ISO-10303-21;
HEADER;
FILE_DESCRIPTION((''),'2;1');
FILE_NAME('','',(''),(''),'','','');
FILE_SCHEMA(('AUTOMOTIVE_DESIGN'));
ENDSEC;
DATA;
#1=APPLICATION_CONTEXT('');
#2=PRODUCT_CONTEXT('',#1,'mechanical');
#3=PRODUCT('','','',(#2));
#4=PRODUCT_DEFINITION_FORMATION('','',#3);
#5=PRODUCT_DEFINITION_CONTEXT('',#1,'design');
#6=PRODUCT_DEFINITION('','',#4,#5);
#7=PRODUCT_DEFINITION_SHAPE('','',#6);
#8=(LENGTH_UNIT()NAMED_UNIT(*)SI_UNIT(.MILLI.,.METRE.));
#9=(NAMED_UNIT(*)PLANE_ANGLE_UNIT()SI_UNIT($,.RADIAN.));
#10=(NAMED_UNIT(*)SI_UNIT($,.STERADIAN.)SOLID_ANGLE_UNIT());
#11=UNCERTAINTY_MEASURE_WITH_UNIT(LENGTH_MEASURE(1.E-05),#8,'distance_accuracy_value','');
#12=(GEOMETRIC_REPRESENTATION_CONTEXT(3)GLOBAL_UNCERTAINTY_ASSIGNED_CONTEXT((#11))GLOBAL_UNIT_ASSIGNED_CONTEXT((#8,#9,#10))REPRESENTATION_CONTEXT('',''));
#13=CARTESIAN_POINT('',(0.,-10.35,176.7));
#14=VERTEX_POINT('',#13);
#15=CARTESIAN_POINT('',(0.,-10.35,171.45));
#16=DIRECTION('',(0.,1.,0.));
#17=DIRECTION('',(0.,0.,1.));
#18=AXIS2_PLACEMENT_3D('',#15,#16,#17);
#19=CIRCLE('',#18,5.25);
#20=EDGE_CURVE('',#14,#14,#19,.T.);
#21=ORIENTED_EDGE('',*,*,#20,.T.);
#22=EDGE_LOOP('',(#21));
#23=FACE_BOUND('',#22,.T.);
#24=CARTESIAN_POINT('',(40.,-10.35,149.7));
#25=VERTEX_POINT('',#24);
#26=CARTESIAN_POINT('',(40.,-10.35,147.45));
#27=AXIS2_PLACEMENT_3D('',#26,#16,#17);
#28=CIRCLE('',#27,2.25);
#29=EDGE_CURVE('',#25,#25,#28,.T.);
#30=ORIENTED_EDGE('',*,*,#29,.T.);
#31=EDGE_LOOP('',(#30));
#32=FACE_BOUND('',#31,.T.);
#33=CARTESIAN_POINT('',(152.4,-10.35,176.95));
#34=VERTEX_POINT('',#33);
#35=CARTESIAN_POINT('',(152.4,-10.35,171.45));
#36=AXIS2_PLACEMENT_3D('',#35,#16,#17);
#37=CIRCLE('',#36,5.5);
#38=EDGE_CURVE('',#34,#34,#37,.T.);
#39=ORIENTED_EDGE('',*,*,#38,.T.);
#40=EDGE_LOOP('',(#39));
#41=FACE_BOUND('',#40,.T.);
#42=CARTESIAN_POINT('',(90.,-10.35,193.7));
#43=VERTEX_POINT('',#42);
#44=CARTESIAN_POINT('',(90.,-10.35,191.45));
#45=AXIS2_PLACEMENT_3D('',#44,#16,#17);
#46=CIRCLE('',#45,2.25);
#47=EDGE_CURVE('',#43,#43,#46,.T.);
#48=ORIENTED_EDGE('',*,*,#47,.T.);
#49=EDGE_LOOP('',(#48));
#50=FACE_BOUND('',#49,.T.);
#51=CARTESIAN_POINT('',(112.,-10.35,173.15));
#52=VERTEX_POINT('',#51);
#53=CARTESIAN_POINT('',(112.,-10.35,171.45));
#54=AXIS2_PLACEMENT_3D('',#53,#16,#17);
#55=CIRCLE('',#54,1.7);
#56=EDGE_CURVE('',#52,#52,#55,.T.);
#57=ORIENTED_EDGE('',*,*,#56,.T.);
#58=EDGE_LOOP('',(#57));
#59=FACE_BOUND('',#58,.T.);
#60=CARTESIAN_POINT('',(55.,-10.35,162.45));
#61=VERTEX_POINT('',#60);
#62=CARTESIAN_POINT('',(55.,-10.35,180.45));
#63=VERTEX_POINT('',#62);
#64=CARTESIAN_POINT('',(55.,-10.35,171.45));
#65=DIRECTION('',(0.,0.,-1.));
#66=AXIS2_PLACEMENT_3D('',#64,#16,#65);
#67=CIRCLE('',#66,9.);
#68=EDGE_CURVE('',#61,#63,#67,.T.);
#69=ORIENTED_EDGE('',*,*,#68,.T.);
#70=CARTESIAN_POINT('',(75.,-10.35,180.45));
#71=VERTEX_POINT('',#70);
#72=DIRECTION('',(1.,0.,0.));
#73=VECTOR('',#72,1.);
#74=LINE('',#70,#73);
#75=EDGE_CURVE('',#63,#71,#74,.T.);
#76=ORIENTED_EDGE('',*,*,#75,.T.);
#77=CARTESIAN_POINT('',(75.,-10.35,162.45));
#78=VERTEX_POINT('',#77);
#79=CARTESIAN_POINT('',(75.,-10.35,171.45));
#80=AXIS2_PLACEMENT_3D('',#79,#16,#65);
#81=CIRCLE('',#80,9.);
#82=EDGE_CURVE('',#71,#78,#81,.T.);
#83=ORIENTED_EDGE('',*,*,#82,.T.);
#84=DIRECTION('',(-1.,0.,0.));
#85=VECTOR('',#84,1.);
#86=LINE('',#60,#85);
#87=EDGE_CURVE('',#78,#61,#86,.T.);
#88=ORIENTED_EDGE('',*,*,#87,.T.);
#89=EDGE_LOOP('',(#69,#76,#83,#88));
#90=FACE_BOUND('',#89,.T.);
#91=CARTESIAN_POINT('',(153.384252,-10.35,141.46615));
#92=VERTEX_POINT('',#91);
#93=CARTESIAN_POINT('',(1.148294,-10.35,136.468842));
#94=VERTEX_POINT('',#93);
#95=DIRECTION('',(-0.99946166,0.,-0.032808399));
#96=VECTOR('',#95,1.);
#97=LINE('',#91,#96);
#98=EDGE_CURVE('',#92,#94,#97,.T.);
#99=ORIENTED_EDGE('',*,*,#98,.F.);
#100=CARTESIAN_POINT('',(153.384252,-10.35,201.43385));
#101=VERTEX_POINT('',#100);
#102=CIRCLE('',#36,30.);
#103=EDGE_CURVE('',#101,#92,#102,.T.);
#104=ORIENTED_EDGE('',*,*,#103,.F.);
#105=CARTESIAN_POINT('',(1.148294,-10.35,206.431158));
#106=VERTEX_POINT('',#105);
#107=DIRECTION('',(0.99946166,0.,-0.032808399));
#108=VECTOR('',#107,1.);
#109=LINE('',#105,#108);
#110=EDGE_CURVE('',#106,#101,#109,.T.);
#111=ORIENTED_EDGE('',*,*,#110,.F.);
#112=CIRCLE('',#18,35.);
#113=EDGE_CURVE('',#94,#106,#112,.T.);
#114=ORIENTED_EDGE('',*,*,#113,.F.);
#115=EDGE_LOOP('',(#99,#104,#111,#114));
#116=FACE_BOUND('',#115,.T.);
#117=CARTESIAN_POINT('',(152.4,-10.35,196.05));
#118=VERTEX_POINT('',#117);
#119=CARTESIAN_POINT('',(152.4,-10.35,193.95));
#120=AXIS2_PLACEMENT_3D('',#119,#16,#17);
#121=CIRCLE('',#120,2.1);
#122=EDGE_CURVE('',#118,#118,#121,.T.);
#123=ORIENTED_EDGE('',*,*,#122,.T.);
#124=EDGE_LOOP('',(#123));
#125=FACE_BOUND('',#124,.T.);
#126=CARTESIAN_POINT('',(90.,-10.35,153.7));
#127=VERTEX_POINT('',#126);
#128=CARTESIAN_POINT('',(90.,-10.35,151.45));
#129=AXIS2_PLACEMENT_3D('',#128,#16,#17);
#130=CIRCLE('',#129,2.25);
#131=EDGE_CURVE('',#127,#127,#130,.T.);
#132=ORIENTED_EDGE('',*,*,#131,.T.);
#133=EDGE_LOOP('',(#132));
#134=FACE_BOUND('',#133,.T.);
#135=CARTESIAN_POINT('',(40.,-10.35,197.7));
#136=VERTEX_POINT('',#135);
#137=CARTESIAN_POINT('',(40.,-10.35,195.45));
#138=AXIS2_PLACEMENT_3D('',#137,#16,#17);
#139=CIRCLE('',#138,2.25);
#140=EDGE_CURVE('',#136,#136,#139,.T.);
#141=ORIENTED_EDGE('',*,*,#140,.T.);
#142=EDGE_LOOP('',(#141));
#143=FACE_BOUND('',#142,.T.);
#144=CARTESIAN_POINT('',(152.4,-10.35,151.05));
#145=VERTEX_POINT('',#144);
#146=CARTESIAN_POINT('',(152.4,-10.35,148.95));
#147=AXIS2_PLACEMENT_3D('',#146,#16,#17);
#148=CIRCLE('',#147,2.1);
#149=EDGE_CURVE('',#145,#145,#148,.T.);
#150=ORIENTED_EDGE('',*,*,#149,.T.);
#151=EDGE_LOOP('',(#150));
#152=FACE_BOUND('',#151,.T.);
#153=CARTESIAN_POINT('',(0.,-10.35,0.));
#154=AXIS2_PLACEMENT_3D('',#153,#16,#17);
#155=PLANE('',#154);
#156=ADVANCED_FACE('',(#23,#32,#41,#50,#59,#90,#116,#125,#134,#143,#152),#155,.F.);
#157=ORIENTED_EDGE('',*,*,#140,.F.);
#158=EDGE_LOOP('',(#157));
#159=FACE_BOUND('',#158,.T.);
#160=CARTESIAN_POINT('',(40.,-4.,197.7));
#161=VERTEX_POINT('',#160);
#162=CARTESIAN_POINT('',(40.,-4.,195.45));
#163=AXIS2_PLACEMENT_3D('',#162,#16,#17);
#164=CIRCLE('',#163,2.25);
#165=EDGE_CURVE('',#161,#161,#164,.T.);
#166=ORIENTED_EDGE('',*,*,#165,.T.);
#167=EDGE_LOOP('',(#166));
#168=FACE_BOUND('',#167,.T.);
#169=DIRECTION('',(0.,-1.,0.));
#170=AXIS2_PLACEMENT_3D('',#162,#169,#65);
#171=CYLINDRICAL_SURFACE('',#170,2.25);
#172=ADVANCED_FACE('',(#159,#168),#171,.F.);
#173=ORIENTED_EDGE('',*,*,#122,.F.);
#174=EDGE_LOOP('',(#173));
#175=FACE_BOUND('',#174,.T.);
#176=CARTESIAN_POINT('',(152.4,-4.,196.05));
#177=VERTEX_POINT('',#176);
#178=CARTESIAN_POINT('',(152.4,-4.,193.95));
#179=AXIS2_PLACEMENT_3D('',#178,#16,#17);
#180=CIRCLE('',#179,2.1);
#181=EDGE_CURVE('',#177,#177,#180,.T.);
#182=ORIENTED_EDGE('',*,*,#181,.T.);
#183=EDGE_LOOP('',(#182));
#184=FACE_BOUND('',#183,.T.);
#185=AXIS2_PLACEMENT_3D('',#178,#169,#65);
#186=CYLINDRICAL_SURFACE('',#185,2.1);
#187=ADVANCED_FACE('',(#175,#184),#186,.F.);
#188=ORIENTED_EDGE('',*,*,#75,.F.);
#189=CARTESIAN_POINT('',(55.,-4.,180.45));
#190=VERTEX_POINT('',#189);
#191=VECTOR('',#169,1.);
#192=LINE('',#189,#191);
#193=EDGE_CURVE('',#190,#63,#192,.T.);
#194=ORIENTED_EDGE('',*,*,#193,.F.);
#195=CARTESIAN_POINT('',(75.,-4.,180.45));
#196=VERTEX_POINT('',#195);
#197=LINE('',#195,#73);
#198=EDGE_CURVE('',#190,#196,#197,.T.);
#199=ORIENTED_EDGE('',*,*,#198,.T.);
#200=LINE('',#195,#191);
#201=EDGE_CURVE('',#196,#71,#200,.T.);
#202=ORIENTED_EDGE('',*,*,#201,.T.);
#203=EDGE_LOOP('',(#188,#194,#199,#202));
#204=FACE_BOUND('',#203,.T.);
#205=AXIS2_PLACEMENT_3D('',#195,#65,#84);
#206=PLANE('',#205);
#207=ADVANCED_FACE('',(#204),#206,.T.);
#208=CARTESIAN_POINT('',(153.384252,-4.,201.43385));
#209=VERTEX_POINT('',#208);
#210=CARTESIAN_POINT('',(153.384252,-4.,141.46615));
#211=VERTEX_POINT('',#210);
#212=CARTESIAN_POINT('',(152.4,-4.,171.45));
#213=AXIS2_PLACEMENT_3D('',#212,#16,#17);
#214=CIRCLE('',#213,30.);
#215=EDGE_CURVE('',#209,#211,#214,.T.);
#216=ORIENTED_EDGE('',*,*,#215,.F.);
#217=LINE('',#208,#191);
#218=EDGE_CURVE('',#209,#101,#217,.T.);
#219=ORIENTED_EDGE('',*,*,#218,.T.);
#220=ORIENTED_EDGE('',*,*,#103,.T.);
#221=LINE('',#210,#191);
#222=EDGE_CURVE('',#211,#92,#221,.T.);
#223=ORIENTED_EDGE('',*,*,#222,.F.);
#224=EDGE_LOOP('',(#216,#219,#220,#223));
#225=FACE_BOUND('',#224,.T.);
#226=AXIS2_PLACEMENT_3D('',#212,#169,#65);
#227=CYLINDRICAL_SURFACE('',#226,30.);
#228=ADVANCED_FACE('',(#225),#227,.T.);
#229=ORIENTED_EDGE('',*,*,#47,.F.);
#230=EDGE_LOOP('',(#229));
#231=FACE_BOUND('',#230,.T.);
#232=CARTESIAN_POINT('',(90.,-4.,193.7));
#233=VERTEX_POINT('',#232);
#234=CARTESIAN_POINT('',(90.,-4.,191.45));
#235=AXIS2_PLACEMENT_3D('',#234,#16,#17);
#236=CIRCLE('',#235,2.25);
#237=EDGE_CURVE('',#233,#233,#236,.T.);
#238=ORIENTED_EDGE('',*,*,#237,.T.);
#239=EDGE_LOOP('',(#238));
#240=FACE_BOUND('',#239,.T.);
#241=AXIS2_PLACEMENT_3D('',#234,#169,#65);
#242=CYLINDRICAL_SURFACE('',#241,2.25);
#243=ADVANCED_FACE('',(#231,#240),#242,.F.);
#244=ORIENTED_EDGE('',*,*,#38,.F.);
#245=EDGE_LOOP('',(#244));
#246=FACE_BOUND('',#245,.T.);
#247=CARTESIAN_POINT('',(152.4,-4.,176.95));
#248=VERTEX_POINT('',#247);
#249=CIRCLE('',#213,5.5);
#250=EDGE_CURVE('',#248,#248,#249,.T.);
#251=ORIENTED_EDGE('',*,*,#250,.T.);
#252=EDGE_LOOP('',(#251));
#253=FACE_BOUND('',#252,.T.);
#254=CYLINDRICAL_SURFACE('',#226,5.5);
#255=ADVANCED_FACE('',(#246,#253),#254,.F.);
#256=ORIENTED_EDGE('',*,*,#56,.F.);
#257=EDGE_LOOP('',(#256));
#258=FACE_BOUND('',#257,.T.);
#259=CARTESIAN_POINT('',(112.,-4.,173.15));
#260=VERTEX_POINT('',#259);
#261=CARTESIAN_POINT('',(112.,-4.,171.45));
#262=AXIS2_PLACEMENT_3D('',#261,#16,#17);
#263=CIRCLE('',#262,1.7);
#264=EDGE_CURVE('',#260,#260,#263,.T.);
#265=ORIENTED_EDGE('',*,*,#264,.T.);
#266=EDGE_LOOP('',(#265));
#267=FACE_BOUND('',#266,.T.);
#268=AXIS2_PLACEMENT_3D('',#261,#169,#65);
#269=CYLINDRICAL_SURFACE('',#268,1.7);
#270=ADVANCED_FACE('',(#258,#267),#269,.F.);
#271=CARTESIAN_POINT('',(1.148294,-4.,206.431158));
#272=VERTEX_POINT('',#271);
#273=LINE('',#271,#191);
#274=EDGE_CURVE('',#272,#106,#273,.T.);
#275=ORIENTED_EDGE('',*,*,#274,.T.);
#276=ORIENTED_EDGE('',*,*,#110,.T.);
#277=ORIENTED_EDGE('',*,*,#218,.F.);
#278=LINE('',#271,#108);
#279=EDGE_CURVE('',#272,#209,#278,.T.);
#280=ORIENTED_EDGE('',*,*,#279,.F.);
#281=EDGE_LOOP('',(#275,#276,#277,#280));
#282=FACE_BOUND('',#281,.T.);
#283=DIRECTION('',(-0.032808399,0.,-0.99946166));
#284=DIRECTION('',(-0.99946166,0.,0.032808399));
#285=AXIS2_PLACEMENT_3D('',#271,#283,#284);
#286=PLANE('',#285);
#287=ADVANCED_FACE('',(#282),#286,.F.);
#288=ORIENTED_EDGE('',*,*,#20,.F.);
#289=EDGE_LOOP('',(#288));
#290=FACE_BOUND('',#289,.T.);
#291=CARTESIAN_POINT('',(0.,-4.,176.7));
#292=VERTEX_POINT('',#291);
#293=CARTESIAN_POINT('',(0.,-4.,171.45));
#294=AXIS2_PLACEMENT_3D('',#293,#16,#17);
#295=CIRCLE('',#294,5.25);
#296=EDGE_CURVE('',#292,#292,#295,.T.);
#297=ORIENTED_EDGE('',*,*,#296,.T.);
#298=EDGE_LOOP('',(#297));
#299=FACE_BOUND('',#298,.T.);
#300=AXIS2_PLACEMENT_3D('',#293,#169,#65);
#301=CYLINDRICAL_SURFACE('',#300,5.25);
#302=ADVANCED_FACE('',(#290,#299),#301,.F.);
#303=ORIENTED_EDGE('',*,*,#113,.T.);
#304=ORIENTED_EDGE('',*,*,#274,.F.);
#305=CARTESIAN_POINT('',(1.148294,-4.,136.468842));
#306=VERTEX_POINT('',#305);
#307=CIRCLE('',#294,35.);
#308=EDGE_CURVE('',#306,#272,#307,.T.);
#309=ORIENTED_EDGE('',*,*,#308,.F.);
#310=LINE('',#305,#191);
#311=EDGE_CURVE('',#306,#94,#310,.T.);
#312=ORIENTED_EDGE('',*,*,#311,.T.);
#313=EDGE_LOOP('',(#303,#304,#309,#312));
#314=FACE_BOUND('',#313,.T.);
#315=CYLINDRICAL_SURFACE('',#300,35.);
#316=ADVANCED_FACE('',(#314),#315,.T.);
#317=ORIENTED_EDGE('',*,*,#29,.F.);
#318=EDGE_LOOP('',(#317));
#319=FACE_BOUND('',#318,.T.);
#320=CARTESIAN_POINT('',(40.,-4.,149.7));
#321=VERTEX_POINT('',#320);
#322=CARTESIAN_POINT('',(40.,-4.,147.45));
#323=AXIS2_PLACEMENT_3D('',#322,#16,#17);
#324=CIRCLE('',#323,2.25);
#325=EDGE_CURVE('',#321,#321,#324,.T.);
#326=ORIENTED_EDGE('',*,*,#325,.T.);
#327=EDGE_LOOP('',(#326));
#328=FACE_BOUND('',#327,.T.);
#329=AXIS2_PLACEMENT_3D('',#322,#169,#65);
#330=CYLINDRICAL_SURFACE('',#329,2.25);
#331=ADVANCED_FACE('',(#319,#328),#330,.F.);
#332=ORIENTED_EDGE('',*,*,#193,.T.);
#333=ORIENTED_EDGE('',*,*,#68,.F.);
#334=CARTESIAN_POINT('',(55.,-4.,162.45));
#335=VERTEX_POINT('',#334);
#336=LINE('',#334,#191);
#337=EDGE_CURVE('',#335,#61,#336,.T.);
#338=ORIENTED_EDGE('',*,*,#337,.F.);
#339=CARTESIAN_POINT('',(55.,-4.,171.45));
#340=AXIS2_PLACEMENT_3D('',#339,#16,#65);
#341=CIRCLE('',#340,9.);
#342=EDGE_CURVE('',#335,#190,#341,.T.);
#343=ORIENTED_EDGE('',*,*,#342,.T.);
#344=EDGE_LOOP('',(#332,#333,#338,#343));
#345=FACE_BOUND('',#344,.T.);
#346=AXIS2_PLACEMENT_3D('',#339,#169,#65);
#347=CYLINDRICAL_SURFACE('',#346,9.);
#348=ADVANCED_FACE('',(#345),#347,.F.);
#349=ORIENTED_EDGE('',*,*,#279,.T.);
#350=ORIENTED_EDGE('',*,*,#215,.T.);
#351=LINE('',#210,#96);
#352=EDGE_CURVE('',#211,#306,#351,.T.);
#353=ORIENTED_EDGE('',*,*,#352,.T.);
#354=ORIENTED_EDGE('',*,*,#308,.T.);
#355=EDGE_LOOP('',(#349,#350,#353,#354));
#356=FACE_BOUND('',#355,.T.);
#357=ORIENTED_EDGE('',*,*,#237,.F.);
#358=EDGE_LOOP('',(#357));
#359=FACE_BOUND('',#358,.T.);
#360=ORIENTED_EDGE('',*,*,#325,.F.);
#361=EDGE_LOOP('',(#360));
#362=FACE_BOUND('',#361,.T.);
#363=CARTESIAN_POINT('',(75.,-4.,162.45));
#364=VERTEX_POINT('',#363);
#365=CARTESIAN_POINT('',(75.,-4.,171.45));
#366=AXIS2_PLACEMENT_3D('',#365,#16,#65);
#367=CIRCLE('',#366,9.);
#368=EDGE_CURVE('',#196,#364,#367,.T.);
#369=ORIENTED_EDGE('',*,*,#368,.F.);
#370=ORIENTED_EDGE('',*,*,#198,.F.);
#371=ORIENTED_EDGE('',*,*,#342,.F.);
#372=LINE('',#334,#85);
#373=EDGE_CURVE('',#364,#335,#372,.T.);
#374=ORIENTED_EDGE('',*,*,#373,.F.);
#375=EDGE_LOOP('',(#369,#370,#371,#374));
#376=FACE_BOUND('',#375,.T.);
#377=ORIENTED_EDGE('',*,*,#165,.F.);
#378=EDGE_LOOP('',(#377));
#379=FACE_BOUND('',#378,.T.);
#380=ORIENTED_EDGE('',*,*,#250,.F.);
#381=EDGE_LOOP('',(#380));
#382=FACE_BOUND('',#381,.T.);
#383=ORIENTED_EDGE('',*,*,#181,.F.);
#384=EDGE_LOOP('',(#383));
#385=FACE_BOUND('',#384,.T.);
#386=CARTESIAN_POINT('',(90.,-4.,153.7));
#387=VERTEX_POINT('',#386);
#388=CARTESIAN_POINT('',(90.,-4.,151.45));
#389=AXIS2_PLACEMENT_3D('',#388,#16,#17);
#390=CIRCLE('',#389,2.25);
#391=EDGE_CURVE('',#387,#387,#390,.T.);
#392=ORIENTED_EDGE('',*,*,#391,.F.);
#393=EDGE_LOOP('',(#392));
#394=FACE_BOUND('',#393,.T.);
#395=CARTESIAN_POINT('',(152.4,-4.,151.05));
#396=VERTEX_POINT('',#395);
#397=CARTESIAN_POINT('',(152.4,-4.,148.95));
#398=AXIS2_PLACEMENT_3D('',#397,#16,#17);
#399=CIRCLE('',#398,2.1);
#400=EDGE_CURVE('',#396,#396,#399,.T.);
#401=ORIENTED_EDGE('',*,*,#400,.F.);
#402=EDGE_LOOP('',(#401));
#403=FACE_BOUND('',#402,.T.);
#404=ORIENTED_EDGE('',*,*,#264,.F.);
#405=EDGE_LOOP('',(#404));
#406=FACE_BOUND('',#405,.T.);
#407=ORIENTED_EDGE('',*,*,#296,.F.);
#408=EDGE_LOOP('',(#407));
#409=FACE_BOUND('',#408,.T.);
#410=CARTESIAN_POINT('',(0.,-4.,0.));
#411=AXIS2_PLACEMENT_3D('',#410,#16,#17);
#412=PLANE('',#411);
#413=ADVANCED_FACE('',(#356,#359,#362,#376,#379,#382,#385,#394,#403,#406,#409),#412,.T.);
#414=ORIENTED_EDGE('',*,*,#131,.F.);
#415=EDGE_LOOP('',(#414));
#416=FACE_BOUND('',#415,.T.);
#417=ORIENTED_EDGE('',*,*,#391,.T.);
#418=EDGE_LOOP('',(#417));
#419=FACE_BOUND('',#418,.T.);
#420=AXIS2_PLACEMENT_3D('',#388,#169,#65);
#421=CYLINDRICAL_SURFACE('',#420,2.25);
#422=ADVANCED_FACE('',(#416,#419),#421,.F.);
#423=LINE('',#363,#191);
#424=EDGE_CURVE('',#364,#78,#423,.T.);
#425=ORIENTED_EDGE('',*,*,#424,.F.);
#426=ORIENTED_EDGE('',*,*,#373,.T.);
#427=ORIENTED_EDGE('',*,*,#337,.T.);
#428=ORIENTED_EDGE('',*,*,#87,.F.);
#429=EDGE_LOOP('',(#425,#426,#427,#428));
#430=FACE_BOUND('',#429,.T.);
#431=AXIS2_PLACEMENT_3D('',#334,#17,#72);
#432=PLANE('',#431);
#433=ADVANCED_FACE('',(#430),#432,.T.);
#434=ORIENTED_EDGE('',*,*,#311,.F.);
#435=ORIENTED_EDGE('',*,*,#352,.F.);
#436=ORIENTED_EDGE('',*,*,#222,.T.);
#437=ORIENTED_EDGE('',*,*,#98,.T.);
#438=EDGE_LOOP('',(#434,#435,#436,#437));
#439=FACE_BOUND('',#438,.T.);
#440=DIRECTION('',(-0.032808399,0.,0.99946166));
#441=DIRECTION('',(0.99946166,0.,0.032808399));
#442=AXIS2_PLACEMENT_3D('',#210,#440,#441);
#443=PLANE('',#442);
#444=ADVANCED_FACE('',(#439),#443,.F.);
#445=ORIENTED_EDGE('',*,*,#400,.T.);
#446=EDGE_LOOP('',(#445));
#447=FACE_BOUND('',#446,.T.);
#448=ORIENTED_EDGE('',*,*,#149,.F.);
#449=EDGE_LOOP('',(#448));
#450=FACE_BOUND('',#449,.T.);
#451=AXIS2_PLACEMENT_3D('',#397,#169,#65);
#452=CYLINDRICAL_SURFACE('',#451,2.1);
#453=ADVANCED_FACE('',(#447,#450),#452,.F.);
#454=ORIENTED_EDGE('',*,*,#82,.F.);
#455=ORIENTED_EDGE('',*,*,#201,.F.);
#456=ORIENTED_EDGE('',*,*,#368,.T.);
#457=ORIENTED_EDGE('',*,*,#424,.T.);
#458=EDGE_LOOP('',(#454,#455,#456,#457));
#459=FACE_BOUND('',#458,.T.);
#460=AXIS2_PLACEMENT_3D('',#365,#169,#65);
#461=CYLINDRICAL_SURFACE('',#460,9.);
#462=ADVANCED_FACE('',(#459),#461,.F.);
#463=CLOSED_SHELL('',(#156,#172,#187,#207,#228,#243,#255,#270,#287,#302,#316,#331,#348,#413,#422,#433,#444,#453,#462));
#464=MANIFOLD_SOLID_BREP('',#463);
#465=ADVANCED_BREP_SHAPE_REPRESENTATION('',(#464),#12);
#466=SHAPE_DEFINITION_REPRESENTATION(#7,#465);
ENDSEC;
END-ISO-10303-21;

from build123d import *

# Parameters (mm, degrees)
PLACA_START                         = -10.35
PLACA_DEPTH                         = 6.35
PLACA_R1_START                      = -10.35
CROQUIS2_R                          = 35
PLACA_R1_DEPTH                      = 6.35
PLACA_R2_START                      = -10.35
CROQUIS3_R                          = 30
PLACA_R2_DEPTH                      = 6.35
ALIGERADO_START                     = -10.35
ALIGERADO_DEPTH                     = 6.35
BARRENOS_SEPARADORES_M4_START       = -10.35
CROQUIS5_R                          = 2.25
BARRENOS_SEPARADORES_M4_DEPTH       = 6.35
PASO_PERNOS_Y_ROSCA_M5_KFL000_START = -10.35
CROQUIS6_R                          = 5.25
CROQUIS6_R_2                        = 5.5
CROQUIS6_R_3                        = 2.1
PASO_PERNOS_Y_ROSCA_M5_KFL000_DEPTH = 6.35
ROSCA_M3_BASES_CINCHO_START         = -10.35
CROQUIS7_R                          = 1.25
ROSCA_M3_BASES_CINCHO_DEPTH         = 6.35
PASO_M3_BASES_CINCHO_START          = -10.35
CROQUIS8_R                          = 1.7
PASO_M3_BASES_CINCHO_DEPTH          = 6.35


with BuildPart() as part:
    # Croquis1 → Placa (new body)
    with BuildSketch(Plane(origin=(0, 0, 0), x_dir=(1, 0, 0), z_dir=(0, 1, 0)).offset(PLACA_START)):
        Polygon((1.148293963, -206.431158085), (153.384251969, -201.433849787), (153.384251969, -141.466150213), (1.148293963, -136.468841915), align=None)
    extrude(amount=PLACA_DEPTH)

    # Croquis2 → Placa_r1 (add)
    with BuildSketch(Plane(origin=(0, 0, 0), x_dir=(1, 0, 0), z_dir=(0, 1, 0)).offset(PLACA_R1_START)):
        with Locations((0, -171.45)):
            Circle(CROQUIS2_R)
    extrude(amount=PLACA_R1_DEPTH)

    # Croquis3 → Placa_r2 (add)
    with BuildSketch(Plane(origin=(0, 0, 0), x_dir=(1, 0, 0), z_dir=(0, 1, 0)).offset(PLACA_R2_START)):
        with Locations((152.4, -171.45)):
            Circle(CROQUIS3_R)
    extrude(amount=PLACA_R2_DEPTH)

    # Croquis4 → Aligerado (cut)
    with BuildSketch(Plane(origin=(0, 0, 0), x_dir=(1, 0, 0), z_dir=(0, 1, 0)).offset(ALIGERADO_START)):
        with BuildLine():
            Line((55, -162.45), (75, -162.45))
            ThreePointArc((75, -162.45), (84, -171.45), (75, -180.45))
            Line((75, -180.45), (55, -180.45))
            ThreePointArc((55, -180.45), (46, -171.45), (55, -162.45))
        make_face()
    extrude(amount=ALIGERADO_DEPTH, mode=Mode.SUBTRACT)

    # Croquis5 → Barrenos_separadores_M4 (cut)
    with BuildSketch(Plane(origin=(0, 0, 0), x_dir=(1, 0, 0), z_dir=(0, 1, 0)).offset(BARRENOS_SEPARADORES_M4_START)):
        with Locations(Location((40, -195.45, 0), (0, 0, 270))):
            Circle(CROQUIS5_R)
        with Locations(Location((40, -147.45, 0), (0, 0, 270))):
            Circle(CROQUIS5_R)
        with Locations(Location((90, -191.45, 0), (0, 0, 270))):
            Circle(CROQUIS5_R)
        with Locations(Location((90, -151.45, 0), (0, 0, 270))):
            Circle(CROQUIS5_R)
    extrude(amount=BARRENOS_SEPARADORES_M4_DEPTH, mode=Mode.SUBTRACT)

    # Croquis6 → Paso_pernos_y_rosca_M5_KFL000 (cut)
    with BuildSketch(Plane(origin=(0, 0, 0), x_dir=(1, 0, 0), z_dir=(0, 1, 0)).offset(PASO_PERNOS_Y_ROSCA_M5_KFL000_START)):
        with Locations(Location((0, -171.45, 0), (0, 0, 270))):
            Circle(CROQUIS6_R)
        with Locations(Location((152.4, -171.45, 0), (0, 0, 270))):
            Circle(CROQUIS6_R_2)
        with Locations(Location((152.4, -193.95, 0), (0, 0, 270))):
            Circle(CROQUIS6_R_3)
        with Locations(Location((152.4, -148.95, 0), (0, 0, 270))):
            Circle(CROQUIS6_R_3)
    extrude(amount=PASO_PERNOS_Y_ROSCA_M5_KFL000_DEPTH, mode=Mode.SUBTRACT)

    # Croquis7 → Rosca_M3_bases_cincho (cut)
    with BuildSketch(Plane(origin=(0, 0, 0), x_dir=(1, 0, 0), z_dir=(0, 1, 0)).offset(ROSCA_M3_BASES_CINCHO_START)):
        with Locations(Location((112, -171.45, 0), (0, 0, 270))):
            Circle(CROQUIS7_R)
    extrude(amount=ROSCA_M3_BASES_CINCHO_DEPTH, mode=Mode.SUBTRACT)

    # Croquis8 → Paso_M3_bases_cincho (cut)
    with BuildSketch(Plane(origin=(0, 0, 0), x_dir=(1, 0, 0), z_dir=(0, 1, 0)).offset(PASO_M3_BASES_CINCHO_START)):
        with Locations(Location((112, -171.45, 0), (0, 0, 270))):
            Circle(CROQUIS8_R)
    extrude(amount=PASO_M3_BASES_CINCHO_DEPTH, mode=Mode.SUBTRACT)


solid = part.part
